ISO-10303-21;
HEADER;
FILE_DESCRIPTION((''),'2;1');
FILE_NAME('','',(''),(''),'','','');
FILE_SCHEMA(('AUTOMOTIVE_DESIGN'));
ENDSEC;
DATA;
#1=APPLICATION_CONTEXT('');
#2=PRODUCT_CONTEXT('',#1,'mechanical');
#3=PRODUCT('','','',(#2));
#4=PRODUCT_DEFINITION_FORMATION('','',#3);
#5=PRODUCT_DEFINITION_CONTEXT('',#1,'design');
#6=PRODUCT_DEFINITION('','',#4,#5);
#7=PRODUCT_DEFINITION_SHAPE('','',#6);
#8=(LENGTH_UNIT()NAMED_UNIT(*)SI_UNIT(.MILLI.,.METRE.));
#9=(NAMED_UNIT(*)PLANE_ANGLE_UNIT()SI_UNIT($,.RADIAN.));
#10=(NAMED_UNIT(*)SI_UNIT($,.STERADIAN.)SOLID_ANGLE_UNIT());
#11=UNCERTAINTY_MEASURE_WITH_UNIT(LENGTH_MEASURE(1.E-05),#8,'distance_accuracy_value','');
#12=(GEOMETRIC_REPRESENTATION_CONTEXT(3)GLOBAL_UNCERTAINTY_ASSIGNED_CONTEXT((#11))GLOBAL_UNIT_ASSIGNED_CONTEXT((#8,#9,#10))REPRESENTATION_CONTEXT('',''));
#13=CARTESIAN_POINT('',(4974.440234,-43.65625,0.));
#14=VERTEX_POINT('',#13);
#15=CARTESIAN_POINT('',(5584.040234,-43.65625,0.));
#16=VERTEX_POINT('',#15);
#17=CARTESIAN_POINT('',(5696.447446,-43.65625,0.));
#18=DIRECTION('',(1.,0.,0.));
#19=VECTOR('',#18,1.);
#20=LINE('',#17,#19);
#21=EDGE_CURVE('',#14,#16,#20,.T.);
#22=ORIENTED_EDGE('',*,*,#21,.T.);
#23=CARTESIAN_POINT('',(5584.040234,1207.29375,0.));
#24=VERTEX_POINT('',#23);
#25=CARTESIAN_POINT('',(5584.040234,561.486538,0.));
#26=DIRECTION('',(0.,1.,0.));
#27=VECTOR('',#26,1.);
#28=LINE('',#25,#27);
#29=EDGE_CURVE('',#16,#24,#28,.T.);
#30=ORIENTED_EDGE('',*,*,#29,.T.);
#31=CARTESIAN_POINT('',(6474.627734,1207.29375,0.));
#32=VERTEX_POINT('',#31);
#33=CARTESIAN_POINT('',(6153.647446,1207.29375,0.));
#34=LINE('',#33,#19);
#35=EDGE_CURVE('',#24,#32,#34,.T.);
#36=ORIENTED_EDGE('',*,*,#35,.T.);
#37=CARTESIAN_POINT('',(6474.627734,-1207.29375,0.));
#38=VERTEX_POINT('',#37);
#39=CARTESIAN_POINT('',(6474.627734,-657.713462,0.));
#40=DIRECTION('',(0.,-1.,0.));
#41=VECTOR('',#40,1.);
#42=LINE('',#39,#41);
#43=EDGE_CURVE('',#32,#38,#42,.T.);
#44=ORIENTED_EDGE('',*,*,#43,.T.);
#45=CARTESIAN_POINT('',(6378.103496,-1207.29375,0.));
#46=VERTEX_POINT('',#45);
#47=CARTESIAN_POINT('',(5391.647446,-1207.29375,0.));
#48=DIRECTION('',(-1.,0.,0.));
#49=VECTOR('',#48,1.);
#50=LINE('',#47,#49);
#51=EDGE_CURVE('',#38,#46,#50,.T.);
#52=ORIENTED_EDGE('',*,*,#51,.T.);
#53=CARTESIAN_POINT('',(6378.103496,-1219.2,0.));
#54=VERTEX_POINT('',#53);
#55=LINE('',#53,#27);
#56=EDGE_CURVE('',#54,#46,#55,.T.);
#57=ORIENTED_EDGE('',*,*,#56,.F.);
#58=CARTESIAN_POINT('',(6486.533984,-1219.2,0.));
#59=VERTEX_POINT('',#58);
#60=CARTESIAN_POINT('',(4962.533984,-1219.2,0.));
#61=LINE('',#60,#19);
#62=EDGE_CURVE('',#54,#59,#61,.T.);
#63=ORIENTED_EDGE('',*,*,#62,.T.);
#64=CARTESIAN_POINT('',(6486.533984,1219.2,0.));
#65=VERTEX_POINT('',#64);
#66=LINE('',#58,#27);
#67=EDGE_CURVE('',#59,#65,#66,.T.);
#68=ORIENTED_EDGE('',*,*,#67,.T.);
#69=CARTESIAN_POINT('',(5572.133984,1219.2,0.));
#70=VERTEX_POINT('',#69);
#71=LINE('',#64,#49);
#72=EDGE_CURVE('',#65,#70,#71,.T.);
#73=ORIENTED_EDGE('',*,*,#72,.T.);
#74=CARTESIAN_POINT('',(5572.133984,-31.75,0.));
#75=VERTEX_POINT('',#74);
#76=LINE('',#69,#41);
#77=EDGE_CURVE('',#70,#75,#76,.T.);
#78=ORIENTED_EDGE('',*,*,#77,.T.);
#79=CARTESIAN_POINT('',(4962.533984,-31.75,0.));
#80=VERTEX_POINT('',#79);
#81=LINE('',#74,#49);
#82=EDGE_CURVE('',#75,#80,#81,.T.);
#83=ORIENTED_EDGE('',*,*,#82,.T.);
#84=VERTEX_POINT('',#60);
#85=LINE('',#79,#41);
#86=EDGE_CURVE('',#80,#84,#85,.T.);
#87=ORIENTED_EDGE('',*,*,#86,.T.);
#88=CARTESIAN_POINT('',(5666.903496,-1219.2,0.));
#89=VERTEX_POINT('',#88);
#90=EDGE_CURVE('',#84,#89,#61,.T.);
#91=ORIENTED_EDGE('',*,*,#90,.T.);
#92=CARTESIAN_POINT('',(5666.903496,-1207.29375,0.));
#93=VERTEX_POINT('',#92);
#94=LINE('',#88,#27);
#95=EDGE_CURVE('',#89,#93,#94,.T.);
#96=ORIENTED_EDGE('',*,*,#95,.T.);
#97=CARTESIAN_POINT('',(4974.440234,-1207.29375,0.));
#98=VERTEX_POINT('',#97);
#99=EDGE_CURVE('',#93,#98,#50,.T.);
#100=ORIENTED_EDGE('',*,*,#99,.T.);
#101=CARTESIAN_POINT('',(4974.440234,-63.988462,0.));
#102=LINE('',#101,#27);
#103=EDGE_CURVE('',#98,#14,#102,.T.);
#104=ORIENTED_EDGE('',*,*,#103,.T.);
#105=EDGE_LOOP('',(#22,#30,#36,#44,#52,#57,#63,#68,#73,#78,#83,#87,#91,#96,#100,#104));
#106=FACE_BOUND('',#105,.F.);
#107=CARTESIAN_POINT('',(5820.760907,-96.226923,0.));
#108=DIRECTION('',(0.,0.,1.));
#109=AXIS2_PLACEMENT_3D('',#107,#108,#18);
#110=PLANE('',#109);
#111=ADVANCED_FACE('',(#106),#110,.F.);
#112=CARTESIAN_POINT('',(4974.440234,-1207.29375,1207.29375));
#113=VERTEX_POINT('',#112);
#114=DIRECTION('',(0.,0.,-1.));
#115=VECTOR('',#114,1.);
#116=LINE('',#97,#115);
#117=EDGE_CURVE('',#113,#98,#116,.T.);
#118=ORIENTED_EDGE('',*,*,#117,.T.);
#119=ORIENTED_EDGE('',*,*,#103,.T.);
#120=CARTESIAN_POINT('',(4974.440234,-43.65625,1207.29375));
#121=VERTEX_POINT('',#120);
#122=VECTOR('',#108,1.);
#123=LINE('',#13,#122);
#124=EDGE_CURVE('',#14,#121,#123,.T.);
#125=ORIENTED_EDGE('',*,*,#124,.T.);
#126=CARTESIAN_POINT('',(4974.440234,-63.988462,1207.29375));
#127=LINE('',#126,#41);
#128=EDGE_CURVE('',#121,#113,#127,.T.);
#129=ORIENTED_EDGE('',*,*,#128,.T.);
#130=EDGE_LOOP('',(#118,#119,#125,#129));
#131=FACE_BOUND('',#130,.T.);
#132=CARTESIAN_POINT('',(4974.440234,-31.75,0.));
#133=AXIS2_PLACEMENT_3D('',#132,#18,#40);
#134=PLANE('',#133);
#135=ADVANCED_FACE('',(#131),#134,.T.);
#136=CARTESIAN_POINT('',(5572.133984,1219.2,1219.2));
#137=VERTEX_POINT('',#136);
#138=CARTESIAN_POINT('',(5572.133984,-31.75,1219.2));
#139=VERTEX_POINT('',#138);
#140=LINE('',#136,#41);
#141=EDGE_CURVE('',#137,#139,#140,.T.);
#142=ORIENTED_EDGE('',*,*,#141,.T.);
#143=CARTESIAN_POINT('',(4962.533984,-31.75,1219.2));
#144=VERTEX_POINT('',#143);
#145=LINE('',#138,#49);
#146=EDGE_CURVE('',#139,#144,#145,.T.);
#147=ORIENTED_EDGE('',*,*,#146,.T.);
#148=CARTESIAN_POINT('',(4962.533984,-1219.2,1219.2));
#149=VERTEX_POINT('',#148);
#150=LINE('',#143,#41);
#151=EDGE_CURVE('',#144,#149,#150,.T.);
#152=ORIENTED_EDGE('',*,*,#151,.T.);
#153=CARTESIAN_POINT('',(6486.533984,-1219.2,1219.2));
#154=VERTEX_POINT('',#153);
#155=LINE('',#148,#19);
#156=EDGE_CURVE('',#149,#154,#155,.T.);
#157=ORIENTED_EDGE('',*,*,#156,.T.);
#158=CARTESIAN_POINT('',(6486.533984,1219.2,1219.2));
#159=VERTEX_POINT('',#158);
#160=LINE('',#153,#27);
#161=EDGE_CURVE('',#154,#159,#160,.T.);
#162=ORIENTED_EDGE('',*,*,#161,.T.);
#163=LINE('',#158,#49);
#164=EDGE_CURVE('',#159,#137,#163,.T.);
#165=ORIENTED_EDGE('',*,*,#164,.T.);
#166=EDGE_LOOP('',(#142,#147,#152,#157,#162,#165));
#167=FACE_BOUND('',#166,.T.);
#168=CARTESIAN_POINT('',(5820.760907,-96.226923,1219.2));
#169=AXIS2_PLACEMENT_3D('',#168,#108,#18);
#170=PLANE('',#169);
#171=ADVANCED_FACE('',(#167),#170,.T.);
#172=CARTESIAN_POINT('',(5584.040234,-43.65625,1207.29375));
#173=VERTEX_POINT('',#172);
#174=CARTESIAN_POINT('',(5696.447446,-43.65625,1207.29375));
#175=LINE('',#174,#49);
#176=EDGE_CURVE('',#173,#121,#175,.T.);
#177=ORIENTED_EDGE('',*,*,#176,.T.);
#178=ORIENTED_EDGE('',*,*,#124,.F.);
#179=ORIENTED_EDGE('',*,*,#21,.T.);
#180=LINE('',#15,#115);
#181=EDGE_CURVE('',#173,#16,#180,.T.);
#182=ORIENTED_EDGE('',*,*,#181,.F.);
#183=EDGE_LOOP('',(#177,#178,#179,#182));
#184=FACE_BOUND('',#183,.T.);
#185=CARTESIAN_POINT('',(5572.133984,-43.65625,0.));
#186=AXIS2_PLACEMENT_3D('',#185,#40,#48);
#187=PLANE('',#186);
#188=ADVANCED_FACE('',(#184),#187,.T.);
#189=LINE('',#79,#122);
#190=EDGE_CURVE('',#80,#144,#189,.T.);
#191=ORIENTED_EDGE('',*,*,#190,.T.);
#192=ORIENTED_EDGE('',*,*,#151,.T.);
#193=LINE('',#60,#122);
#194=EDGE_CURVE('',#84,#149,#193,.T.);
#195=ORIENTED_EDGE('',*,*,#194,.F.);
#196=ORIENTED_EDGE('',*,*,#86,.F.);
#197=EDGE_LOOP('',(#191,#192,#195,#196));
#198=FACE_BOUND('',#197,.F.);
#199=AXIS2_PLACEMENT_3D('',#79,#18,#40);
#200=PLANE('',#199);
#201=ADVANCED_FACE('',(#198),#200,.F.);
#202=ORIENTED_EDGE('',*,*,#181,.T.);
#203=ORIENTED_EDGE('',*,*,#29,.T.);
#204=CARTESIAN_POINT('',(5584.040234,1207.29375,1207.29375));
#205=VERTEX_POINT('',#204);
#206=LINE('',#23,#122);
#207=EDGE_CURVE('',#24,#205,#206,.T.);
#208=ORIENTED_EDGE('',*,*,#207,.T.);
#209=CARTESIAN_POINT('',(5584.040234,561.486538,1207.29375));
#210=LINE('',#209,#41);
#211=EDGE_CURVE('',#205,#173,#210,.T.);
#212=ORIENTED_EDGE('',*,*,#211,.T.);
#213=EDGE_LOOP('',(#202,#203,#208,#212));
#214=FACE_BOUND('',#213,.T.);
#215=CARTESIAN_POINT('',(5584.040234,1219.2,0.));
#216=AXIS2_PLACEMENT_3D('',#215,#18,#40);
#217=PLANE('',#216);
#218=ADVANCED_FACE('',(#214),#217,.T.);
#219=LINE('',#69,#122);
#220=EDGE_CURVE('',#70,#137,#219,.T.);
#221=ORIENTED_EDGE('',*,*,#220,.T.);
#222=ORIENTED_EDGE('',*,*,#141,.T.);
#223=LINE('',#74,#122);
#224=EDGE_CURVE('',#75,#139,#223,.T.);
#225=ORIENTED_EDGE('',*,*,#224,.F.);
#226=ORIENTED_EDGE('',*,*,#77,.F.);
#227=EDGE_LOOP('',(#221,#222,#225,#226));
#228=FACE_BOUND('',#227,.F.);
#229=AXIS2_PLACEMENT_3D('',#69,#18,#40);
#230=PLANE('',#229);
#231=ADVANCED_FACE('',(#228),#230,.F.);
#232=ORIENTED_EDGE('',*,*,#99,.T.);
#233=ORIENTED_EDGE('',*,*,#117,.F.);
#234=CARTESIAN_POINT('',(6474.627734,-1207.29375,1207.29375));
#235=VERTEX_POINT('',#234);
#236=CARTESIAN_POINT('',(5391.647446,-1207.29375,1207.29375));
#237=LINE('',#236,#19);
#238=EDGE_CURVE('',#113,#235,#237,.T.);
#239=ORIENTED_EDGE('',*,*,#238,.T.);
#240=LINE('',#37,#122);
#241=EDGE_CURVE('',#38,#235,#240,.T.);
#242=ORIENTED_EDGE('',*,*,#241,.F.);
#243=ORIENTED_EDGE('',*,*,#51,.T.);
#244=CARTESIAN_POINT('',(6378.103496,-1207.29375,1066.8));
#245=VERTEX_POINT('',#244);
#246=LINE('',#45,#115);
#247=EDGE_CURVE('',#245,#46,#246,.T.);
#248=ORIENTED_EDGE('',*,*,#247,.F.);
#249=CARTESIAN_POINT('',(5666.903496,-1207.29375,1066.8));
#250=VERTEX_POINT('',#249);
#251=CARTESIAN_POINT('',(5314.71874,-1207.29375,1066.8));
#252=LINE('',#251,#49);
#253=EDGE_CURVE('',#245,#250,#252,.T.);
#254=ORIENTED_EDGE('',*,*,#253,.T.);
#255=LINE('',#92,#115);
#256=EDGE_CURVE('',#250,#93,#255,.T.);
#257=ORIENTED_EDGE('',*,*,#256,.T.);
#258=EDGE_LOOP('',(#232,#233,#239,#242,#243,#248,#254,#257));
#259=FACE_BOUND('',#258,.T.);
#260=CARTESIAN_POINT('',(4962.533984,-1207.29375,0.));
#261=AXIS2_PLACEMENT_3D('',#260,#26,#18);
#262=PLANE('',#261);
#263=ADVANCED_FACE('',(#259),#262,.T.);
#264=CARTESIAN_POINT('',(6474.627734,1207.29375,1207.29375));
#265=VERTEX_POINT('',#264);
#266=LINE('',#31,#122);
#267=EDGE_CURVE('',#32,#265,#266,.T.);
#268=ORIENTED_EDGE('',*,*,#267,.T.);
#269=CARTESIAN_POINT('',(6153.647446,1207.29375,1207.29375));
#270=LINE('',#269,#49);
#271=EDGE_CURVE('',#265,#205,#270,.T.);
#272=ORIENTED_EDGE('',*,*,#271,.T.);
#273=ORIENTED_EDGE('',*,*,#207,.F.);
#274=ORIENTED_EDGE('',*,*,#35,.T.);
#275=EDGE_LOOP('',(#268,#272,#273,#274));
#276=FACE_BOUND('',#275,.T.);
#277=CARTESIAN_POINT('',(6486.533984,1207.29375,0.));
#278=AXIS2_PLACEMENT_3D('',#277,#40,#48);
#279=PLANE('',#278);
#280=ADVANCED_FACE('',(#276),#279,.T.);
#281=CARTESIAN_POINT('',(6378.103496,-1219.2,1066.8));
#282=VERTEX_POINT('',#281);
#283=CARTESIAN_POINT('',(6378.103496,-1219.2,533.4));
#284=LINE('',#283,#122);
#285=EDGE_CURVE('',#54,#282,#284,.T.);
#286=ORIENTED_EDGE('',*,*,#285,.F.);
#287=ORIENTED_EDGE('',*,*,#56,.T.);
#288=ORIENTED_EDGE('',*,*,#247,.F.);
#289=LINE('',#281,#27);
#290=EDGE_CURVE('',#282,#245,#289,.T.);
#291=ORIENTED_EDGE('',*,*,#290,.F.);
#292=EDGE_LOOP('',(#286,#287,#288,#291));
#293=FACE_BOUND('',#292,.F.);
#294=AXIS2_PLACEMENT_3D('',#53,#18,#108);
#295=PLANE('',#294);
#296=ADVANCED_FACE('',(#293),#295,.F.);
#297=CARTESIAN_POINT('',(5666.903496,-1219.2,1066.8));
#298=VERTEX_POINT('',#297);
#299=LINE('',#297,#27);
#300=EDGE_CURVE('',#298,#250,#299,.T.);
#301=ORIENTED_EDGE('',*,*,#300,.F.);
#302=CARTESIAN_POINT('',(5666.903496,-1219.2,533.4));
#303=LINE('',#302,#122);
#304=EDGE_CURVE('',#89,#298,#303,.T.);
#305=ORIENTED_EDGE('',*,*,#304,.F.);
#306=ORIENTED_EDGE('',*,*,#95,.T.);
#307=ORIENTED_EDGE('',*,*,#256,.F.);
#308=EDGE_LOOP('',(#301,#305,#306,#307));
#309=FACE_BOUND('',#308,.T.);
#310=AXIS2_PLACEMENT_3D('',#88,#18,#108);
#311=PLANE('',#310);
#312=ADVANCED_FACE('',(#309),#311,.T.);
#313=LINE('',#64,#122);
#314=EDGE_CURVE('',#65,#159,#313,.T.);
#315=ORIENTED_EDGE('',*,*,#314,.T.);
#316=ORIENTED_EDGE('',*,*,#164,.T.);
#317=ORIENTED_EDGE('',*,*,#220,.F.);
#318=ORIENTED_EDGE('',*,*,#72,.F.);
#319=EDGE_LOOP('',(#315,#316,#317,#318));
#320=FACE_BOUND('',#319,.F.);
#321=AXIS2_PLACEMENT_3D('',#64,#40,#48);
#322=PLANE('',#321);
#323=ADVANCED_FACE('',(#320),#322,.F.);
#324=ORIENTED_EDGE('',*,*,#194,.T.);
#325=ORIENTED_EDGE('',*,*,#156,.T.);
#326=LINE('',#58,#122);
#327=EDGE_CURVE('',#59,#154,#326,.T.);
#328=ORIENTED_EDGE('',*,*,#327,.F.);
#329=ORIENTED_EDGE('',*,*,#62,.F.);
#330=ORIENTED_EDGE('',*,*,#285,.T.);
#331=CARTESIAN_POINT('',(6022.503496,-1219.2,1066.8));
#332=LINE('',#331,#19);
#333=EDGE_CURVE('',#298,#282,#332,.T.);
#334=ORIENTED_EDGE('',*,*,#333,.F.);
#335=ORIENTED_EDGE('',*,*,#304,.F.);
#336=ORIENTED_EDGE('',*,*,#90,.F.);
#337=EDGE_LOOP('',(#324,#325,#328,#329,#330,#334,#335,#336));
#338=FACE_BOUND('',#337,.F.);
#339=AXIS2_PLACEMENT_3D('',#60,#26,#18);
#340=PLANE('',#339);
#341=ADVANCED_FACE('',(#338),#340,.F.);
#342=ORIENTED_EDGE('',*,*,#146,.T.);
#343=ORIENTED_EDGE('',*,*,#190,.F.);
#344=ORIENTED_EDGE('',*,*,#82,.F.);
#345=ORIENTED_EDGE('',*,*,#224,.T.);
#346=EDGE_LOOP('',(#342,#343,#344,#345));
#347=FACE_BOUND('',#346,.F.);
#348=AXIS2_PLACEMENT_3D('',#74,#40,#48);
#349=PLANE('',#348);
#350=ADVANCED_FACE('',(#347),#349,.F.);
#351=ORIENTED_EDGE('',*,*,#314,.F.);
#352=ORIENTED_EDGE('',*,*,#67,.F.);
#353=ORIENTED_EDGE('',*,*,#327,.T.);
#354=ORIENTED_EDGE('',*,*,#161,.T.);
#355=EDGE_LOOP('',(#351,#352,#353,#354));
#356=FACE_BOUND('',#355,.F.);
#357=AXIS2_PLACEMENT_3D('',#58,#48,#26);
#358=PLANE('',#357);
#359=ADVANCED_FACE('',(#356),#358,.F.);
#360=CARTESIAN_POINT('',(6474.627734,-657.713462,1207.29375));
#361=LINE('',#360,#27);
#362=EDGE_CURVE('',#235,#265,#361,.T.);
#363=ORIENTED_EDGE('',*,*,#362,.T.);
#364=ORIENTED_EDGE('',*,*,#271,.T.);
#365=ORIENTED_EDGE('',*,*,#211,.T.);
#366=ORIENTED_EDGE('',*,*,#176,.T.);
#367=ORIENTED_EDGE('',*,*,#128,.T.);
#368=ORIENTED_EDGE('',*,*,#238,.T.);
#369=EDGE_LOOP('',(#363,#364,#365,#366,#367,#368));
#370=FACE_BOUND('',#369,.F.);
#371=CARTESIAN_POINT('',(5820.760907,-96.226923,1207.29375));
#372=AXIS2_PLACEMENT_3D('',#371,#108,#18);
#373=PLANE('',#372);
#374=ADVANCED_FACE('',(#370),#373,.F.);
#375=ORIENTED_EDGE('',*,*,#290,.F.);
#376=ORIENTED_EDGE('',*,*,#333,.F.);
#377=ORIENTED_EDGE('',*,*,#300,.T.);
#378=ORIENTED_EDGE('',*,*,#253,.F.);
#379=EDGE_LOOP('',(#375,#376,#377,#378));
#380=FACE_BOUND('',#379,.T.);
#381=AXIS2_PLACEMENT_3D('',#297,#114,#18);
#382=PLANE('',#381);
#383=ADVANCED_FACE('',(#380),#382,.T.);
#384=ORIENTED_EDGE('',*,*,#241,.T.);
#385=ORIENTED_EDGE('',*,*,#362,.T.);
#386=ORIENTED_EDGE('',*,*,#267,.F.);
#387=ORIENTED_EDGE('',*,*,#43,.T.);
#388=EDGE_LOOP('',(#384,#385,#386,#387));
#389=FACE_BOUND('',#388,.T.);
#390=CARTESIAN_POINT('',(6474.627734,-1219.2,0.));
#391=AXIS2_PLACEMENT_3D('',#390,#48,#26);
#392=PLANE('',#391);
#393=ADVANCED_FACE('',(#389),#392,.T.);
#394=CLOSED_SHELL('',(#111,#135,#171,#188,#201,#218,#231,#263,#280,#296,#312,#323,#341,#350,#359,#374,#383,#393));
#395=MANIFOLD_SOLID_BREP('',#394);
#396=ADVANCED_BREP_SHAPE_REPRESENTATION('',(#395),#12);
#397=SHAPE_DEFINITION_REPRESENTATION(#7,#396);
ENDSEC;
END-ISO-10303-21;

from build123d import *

# Parameters (mm, degrees)
F1_DEPTH = 1219.2
F2_T     = -11.90625
F3_W     = 711.2
F3_H     = 1066.8
F4_DEPTH = 25.4


with BuildPart() as f1:
    # F0 (on Top) → F1 (new body)
    with BuildSketch(Plane.XY):
        Polygon((4962.533984375, -1219.2), (6486.533984375, -1219.2), (6486.533984375, 1219.2), (5572.133984375, 1219.2), (5572.133984375, -31.75), (4962.533984375, -31.75), align=None)
    extrude(amount=F1_DEPTH)

    # F2
    f2_openings = [f1.faces().sort_by_distance(p)[0] for p in [
        (5842.57907, -153.294659, 0),
    ]]
    offset(amount=F2_T, openings=f2_openings, kind=Kind.INTERSECTION)

    # F3 (on face) → F4 (cut)
    with BuildSketch(Plane.XZ.offset(1219.2)):
        with Locations((6022.5034957886, 533.4)):
            Rectangle(F3_W, F3_H)
    extrude(amount=-F4_DEPTH, mode=Mode.SUBTRACT)


solid = f1.part
